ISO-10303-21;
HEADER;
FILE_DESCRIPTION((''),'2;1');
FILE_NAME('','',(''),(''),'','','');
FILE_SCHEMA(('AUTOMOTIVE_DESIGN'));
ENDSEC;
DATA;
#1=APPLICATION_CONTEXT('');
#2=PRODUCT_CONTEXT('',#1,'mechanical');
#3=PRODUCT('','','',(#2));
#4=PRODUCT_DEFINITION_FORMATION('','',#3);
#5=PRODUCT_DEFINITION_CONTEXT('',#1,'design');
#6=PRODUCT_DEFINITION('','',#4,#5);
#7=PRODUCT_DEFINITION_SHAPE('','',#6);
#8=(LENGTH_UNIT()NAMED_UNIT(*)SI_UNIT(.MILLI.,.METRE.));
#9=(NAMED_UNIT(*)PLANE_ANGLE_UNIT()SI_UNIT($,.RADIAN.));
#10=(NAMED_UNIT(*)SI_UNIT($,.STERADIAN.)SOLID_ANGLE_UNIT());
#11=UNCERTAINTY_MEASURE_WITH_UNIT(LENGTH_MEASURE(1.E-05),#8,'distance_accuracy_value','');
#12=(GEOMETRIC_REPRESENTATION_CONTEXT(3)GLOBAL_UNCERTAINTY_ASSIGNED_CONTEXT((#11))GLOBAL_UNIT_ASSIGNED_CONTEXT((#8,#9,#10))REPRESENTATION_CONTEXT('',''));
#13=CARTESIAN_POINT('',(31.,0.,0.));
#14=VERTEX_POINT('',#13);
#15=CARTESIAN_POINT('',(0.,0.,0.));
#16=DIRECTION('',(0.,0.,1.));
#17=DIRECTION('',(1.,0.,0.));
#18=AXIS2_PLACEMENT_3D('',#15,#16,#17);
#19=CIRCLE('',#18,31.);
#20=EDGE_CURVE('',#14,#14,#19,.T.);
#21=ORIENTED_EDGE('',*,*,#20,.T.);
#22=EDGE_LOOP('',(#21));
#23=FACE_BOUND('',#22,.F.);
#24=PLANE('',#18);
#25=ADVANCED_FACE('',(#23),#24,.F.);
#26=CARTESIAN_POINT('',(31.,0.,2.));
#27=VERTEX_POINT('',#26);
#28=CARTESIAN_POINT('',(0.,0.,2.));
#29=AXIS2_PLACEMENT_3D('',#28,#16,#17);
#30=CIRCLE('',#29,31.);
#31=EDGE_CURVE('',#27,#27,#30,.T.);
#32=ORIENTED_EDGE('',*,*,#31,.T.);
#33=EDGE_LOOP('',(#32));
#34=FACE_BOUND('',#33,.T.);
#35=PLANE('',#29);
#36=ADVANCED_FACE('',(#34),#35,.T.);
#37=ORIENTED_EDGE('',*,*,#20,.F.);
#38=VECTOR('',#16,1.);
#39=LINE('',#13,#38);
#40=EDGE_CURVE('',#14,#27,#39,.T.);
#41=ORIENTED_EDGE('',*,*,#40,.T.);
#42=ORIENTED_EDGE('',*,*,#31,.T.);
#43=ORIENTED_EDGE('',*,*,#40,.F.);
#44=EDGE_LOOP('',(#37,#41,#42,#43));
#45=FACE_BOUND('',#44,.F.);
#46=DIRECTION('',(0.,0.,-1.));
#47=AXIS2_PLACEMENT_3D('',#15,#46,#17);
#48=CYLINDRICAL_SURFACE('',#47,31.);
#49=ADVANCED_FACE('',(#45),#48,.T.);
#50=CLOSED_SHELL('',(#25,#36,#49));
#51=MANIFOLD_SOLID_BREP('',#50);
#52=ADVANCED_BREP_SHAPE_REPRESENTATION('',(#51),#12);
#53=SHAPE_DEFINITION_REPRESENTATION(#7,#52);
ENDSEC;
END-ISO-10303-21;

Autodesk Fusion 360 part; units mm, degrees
sketch "Sketch1" plane through (0, 0, 0) normal (0, 0, 1) x (1, 0, 0)
  circle A0 centre (0, 0) radius 31
  dimension "d1" = 62
extrude "Extrude1" add sketch "Sketch1" along normal blind 2
